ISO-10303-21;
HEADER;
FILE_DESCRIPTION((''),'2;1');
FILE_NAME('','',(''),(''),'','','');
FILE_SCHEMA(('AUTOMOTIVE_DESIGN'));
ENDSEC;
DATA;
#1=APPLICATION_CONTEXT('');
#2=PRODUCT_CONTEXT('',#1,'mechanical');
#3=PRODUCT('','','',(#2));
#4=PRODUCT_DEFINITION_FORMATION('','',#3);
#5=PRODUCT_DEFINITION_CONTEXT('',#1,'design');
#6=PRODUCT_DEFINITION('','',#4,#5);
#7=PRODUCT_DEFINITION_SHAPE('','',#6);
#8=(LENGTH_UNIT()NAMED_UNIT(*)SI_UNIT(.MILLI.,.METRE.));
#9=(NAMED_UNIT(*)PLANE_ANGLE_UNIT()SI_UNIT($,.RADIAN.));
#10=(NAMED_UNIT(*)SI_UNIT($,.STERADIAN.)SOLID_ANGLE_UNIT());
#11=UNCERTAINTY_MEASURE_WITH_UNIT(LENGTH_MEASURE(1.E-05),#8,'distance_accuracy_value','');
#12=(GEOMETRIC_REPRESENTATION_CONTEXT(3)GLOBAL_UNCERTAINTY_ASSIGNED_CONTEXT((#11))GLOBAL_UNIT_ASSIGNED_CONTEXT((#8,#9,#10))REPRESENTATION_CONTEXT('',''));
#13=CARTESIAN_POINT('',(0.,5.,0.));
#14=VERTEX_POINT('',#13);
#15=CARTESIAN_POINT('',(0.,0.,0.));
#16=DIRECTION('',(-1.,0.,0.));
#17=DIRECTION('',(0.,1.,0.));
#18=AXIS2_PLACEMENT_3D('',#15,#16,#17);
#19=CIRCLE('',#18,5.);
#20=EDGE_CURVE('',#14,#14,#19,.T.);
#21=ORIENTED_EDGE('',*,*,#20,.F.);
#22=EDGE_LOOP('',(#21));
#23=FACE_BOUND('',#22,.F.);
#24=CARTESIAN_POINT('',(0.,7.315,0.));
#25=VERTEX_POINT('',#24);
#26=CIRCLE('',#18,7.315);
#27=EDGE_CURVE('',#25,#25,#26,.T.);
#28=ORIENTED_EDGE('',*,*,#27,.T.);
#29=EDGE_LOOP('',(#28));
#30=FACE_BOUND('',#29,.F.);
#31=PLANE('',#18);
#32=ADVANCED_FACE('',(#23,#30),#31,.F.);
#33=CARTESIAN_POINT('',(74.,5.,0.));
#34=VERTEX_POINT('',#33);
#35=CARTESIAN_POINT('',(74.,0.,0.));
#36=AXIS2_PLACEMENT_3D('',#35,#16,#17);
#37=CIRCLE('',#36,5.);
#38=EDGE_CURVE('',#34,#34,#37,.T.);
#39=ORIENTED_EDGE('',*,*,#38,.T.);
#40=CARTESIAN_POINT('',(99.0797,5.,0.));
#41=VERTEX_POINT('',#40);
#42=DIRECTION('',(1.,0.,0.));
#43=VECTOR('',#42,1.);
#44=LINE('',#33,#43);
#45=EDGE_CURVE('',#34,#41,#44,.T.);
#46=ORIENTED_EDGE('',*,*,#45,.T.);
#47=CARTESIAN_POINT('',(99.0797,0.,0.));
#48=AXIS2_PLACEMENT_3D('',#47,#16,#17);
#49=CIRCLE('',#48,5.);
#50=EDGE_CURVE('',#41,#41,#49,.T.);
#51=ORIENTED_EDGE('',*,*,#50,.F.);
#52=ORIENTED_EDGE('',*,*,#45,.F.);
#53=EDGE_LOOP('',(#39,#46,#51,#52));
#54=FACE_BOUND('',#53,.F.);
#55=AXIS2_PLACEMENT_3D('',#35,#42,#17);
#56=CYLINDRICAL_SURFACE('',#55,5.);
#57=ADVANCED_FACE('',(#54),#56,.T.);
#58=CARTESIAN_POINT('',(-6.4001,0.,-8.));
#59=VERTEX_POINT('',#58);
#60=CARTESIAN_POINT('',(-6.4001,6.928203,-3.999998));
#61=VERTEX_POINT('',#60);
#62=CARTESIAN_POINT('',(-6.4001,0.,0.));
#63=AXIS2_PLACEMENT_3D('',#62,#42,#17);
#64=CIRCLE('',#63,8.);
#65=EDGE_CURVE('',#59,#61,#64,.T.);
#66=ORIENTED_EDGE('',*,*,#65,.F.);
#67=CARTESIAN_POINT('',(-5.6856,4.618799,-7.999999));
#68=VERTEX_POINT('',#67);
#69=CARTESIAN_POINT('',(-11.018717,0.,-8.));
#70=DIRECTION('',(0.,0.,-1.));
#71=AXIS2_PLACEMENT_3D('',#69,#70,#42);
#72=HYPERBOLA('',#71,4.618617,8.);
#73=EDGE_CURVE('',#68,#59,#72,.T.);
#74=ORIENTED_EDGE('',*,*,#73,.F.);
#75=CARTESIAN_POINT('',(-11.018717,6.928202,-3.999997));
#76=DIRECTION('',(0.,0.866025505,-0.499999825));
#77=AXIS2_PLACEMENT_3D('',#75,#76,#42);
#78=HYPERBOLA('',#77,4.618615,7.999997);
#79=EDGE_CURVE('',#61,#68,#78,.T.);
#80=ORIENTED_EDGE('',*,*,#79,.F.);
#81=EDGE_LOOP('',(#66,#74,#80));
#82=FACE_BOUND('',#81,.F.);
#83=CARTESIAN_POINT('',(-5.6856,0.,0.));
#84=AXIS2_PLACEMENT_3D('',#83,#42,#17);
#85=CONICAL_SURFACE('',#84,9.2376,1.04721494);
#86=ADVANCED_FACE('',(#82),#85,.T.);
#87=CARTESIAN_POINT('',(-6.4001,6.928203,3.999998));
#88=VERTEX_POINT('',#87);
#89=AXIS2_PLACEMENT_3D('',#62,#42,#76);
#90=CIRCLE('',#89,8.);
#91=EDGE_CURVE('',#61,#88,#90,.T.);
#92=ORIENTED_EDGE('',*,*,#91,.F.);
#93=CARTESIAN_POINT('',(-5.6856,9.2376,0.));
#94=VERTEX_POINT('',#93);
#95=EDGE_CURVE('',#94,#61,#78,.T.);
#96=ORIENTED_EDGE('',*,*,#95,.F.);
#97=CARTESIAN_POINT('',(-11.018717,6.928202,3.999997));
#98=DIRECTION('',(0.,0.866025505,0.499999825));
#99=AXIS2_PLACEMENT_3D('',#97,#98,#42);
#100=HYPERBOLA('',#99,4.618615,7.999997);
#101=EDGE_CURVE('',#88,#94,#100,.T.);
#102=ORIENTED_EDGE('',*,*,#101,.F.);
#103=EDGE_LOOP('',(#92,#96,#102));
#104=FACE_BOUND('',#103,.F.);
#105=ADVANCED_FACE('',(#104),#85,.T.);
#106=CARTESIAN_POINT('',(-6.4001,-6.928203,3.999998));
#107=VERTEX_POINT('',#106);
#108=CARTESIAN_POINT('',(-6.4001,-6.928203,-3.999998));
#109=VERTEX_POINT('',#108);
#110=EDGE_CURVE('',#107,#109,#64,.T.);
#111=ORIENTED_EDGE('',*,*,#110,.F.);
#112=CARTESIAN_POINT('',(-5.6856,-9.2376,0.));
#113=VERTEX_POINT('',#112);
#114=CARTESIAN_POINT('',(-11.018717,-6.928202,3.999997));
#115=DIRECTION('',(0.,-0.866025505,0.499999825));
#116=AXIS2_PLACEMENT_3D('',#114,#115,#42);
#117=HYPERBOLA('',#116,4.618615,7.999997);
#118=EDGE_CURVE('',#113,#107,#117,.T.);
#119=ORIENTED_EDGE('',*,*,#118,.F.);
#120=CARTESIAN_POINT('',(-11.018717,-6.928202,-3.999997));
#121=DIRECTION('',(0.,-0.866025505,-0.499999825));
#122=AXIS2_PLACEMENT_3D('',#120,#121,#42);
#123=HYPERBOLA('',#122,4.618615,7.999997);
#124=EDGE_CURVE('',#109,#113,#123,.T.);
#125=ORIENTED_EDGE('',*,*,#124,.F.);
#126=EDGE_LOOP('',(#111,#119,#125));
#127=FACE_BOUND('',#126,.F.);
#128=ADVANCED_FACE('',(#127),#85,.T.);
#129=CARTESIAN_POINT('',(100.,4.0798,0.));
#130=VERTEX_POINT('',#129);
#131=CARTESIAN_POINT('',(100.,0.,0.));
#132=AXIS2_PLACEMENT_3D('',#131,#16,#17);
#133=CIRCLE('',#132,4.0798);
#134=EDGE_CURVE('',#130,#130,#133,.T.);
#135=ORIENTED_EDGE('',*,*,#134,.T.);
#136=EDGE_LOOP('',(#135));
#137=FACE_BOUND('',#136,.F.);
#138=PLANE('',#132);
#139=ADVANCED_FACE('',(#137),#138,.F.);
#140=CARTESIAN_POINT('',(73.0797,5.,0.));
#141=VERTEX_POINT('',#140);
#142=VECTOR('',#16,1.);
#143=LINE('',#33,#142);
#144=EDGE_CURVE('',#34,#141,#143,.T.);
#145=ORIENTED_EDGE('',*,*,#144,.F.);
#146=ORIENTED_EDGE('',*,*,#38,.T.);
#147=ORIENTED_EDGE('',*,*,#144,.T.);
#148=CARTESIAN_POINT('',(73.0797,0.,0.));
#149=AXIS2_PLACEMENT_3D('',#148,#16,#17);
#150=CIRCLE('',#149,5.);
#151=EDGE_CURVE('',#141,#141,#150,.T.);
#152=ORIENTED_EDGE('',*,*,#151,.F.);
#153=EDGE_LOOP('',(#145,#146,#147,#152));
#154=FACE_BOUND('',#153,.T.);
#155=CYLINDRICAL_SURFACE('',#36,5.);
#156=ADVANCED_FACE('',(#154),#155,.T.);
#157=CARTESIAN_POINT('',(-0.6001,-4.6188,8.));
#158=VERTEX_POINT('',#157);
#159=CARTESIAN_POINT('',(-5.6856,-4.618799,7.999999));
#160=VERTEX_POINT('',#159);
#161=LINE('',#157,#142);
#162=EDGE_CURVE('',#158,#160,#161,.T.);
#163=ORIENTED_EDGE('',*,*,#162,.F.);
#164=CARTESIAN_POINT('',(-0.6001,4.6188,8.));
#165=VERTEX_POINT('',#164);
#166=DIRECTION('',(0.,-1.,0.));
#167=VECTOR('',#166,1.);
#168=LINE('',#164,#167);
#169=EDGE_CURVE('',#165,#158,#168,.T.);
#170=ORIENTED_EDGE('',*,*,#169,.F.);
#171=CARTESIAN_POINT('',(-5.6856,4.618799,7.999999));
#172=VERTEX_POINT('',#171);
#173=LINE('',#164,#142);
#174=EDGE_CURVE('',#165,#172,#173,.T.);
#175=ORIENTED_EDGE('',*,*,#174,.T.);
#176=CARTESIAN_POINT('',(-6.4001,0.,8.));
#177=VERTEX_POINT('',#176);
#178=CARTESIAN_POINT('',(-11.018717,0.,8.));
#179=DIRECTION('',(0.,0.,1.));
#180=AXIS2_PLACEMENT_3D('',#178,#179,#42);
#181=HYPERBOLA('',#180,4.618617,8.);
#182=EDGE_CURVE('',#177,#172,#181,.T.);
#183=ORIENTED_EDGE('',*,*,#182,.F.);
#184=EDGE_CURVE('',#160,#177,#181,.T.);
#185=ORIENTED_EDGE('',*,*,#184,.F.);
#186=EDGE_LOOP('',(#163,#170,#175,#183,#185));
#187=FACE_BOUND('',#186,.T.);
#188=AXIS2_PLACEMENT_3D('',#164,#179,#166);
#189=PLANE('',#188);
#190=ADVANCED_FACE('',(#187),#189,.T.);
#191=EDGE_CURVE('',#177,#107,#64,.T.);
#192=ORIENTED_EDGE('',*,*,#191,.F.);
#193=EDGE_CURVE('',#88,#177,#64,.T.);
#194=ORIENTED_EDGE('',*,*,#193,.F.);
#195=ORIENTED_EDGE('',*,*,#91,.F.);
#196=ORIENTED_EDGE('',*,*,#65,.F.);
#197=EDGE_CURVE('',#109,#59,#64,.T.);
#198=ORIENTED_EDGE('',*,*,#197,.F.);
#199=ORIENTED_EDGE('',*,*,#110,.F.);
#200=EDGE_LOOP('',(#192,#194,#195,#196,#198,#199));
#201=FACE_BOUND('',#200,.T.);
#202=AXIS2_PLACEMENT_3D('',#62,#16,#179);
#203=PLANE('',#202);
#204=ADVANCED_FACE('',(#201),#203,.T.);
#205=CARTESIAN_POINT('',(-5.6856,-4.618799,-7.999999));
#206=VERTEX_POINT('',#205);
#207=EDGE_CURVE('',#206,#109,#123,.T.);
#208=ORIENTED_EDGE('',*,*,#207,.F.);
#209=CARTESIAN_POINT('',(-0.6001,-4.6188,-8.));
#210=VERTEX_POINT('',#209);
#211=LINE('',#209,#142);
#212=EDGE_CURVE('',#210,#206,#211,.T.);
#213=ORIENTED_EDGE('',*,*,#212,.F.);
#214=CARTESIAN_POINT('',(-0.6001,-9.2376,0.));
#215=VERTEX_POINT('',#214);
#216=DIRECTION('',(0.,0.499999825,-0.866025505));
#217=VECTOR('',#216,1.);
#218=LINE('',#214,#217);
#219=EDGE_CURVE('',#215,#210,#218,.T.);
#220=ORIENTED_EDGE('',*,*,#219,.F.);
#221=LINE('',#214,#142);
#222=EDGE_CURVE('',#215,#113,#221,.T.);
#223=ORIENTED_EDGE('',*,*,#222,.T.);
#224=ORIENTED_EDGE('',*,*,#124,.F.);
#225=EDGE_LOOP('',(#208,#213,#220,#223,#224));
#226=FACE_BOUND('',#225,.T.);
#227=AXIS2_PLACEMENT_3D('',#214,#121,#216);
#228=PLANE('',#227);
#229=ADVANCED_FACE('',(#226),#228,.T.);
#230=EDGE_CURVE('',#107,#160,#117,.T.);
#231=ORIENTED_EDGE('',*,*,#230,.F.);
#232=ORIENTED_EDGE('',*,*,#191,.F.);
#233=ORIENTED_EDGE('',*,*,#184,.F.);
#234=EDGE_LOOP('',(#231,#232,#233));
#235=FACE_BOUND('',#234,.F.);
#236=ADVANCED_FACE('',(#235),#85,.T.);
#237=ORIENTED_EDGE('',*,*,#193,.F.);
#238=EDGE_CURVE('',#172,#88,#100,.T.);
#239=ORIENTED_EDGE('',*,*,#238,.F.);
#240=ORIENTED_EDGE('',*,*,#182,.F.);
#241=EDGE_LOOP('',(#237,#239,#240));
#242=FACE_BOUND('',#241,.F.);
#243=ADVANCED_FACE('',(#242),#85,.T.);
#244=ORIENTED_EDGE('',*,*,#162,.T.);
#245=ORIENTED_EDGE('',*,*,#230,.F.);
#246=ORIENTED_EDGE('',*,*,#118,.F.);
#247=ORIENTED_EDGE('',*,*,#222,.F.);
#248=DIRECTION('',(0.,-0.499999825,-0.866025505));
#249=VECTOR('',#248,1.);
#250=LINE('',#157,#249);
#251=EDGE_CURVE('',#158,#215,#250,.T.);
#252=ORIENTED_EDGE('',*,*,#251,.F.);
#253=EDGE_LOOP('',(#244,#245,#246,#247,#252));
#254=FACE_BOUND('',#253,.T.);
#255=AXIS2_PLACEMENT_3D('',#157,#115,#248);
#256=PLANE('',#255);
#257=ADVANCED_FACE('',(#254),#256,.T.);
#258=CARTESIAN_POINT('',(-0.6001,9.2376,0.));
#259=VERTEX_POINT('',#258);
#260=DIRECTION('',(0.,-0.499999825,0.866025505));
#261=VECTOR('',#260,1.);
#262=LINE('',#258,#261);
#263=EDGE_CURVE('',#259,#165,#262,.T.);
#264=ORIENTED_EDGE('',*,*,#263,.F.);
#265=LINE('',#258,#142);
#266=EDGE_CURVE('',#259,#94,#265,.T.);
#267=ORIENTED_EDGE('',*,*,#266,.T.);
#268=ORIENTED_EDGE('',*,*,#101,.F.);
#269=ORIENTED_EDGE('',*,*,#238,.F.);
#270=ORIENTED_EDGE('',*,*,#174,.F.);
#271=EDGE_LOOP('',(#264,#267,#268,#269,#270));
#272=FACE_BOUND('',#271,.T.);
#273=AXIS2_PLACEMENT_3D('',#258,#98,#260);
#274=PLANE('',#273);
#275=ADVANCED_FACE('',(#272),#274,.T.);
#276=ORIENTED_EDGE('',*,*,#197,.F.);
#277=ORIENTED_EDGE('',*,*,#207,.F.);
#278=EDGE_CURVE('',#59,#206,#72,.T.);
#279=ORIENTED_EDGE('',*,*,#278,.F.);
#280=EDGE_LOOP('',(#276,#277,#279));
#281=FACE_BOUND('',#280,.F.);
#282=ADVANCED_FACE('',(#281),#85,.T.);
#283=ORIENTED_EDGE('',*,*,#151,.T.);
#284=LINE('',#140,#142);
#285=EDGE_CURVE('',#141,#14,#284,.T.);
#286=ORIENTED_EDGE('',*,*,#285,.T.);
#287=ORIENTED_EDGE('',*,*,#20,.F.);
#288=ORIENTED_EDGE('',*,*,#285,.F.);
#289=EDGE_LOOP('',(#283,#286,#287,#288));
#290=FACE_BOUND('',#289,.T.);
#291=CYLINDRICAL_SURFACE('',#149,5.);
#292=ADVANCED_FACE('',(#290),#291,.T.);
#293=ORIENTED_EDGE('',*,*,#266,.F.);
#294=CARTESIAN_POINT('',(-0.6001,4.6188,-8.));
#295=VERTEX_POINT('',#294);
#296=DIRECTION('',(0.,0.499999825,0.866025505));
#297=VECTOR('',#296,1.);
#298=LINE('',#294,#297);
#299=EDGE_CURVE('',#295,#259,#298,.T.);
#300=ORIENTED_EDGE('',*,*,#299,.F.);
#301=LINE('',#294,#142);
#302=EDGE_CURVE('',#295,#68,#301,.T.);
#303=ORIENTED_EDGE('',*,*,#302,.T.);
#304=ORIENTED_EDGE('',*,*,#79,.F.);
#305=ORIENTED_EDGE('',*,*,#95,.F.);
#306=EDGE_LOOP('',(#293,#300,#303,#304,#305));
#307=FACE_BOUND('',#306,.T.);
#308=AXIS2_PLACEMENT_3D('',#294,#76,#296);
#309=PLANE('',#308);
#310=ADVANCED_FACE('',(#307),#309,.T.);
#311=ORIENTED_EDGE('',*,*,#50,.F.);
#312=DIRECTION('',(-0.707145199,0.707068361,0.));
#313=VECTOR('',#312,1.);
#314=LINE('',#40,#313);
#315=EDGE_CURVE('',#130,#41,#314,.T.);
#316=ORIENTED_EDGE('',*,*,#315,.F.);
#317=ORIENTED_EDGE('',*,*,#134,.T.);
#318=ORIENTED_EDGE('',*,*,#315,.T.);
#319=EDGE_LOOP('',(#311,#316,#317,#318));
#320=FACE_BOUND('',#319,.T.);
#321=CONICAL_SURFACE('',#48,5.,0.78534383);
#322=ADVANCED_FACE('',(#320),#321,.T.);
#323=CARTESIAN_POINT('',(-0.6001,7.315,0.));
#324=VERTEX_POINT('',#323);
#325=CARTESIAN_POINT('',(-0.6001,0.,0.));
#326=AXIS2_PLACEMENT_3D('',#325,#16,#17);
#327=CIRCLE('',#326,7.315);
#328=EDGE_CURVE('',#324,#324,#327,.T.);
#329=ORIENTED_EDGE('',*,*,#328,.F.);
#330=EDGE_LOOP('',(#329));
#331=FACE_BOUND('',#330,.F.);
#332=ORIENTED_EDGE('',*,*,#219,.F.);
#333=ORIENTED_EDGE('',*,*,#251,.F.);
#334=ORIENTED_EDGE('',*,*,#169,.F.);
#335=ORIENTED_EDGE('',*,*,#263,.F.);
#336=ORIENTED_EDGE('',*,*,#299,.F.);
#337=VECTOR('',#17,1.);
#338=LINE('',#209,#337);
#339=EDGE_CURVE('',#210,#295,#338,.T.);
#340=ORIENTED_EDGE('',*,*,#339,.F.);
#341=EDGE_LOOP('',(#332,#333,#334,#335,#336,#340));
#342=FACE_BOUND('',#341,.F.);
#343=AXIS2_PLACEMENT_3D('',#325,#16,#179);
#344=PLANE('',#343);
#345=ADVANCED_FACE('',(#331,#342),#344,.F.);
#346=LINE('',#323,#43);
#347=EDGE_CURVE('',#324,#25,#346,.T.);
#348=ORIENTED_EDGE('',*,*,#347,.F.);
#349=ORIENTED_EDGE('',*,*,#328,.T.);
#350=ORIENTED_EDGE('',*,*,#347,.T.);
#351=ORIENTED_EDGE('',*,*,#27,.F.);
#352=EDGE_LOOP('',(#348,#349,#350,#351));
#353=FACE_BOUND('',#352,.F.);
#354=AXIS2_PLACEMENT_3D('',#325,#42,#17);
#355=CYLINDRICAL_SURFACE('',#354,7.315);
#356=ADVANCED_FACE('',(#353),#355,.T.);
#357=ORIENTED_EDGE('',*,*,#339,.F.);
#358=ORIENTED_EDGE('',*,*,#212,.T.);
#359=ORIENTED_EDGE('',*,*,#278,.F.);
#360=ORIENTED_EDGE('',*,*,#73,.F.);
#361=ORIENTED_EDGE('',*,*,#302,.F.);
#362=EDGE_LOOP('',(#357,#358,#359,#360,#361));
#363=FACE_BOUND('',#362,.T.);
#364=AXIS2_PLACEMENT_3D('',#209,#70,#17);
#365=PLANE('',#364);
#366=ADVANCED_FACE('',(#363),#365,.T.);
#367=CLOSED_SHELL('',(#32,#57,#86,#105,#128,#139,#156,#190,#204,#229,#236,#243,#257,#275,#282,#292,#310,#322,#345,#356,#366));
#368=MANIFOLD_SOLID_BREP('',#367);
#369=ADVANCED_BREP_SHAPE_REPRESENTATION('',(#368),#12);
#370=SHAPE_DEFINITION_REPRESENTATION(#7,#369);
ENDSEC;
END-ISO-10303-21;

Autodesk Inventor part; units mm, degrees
ref_plane "YZ Plane" through (0, 0, 0) normal (1, 0, 0) x (0, 1, 0)
ref_plane "XZ Plane" through (0, 0, 0) normal (0, 1, 0) x (-1, 0, 0)
sketch "Sketch1" plane through (0, 0, 0) normal (0, 0, 1) x (1, 0, 0)
  line L0 (0, 7.315) -> (0, 5)
  line L1 (74, 5) -> (100, 5)
  line L2 (100, 5) -> (100, 0)
  line L3 (100, 0) -> (-0.6001, 0)
  line L4 (-20.7201, 0) -> (120.12, 0) projected
  line L5 (-0.6001, 0) -> (-0.6001, 7.315)
  line L6 (-0.6001, 7.315) -> (0, 7.315)
  line L7 (74, 5) -> (73.0797, 5)
  line L8 (73.0797, 5) -> (0, 5)
  line L9 (0, -1.463) -> (0, 8.778) projected
  dimension "d0" = 100
  dimension "d1" = 26
  dimension "d2" = 10
  dimension "d9" = 0.6001
  dimension "d10" = 14.63
  dimension "d13" = 0.9203
  dimension "d14" = 10
revolve "Body" add sketch "Sketch1" angle 360 about axis through (100, 0, 0) along (-1, 0, 0)
sketch "Sketch2" plane through (-0.6001, 0, 0) normal (-1, 0, 0) x (0, 0, 1)
  line L0 (0, 9.2376) -> (8, 4.6188)
  line L1 (8, 4.6188) -> (8, -4.6188)
  line L2 (8, -4.6188) -> (0, -9.2376)
  line L3 (0, -9.2376) -> (-8, -4.6188)
  line L4 (-8, -4.6188) -> (-8, 4.6188)
  line L5 (-8, 4.6188) -> (0, 9.2376)
  point P0 (0, 0)
  point P1 (0, 0)
  dimension "d11" = 16
extrude "Head" add sketch "Sketch2" along normal blind 5.8
sketch "Sketch4" plane through (0, 0, 0) normal (0, 0, 1) x (1, 0, 0)
  line L0 (-6.4001, 8) -> (-6.4001, 9.2376)
  line L1 (-6.4001, 9.2376) -> (-5.6856, 9.2376)
  line L2 (-5.6856, 9.2376) -> (-6.4001, 8)
  line L3 (-7.5601, 0) -> (0.5599, 0) projected
  line L4 (-0.6001, 9.2376) -> (-6.4001, 9.2376) projected
  line L5 (-6.4001, 4.6188) -> (-6.4001, 9.2376) projected
  dimension "d5" = 30
  dimension "d19" = 16
revolve "Chamfer1" cut sketch "Sketch4" angle 360 about axis through (-10, 0, 0) along (1, 0, 0)
thread "Thread" size "M10x1.5" class "6g" standard "ISO Metric profile" length 26
chamfer "Chamfer2" distance 0.9202 distance2 0.9203 1 edges at (100, -5, 0) measured on face at (100, 1.175, -0.5081)
ref_plane "Work Plane1" through (1.525, 0, 0) normal (0, 0, 1) x (1, 0, 0)
equation "\"d11\" = SW"
equation "\"d3\" = KOH - SD"
equation "\"d15\" = GEL"
equation "\"d6\" = -0.5 * SPD + 0.5 * GD"
equation "\"d0\" = NLG"
equation "\"d1\" = GEL"
equation "\"d2\" = GD"
equation "\"d10\" = SD2"
equation "\"d14\" = BDM"
equation "\"d5\" = ANG1"
equation "\"d19\" = SW0"
equation "\"NLG\" = 100"
equation "\"GD\" = NND"
equation "\"BDM\" = NND"
equation "\"KOH\" = 6.4"
equation "\"GEL\" = 26"
equation "\"SW\" = 16"
equation "\"SW0\" = SW"
equation "\"SPD\" = NND - 1.2269 * PTC"
equation "\"SD2\" = 14.63"
equation "\"SD\" = 0.6"
equation "\"ANG1\" = 30deg"
equation "\"GAL\" = 0.61345 * PTC"
equation "\"GUL\" = 0.61345 * PTC"
equation "\"RR\" = 0.4"
equation "\"GD1\" = THREADDIA - 1.2269 * PTC"
equation "\"SDH\" = SD2"
equation "\"TOA\" = 30deg"
equation "\"PTC\" = 1.5"
equation "\"E0\" = 1.155 * SW"
equation "\"NND\" = 10"
equation "\"THREADDIA\" = 10"
properties part number "ISO 4014 - M10 x 100" material "Stainless Steel, 440C"
